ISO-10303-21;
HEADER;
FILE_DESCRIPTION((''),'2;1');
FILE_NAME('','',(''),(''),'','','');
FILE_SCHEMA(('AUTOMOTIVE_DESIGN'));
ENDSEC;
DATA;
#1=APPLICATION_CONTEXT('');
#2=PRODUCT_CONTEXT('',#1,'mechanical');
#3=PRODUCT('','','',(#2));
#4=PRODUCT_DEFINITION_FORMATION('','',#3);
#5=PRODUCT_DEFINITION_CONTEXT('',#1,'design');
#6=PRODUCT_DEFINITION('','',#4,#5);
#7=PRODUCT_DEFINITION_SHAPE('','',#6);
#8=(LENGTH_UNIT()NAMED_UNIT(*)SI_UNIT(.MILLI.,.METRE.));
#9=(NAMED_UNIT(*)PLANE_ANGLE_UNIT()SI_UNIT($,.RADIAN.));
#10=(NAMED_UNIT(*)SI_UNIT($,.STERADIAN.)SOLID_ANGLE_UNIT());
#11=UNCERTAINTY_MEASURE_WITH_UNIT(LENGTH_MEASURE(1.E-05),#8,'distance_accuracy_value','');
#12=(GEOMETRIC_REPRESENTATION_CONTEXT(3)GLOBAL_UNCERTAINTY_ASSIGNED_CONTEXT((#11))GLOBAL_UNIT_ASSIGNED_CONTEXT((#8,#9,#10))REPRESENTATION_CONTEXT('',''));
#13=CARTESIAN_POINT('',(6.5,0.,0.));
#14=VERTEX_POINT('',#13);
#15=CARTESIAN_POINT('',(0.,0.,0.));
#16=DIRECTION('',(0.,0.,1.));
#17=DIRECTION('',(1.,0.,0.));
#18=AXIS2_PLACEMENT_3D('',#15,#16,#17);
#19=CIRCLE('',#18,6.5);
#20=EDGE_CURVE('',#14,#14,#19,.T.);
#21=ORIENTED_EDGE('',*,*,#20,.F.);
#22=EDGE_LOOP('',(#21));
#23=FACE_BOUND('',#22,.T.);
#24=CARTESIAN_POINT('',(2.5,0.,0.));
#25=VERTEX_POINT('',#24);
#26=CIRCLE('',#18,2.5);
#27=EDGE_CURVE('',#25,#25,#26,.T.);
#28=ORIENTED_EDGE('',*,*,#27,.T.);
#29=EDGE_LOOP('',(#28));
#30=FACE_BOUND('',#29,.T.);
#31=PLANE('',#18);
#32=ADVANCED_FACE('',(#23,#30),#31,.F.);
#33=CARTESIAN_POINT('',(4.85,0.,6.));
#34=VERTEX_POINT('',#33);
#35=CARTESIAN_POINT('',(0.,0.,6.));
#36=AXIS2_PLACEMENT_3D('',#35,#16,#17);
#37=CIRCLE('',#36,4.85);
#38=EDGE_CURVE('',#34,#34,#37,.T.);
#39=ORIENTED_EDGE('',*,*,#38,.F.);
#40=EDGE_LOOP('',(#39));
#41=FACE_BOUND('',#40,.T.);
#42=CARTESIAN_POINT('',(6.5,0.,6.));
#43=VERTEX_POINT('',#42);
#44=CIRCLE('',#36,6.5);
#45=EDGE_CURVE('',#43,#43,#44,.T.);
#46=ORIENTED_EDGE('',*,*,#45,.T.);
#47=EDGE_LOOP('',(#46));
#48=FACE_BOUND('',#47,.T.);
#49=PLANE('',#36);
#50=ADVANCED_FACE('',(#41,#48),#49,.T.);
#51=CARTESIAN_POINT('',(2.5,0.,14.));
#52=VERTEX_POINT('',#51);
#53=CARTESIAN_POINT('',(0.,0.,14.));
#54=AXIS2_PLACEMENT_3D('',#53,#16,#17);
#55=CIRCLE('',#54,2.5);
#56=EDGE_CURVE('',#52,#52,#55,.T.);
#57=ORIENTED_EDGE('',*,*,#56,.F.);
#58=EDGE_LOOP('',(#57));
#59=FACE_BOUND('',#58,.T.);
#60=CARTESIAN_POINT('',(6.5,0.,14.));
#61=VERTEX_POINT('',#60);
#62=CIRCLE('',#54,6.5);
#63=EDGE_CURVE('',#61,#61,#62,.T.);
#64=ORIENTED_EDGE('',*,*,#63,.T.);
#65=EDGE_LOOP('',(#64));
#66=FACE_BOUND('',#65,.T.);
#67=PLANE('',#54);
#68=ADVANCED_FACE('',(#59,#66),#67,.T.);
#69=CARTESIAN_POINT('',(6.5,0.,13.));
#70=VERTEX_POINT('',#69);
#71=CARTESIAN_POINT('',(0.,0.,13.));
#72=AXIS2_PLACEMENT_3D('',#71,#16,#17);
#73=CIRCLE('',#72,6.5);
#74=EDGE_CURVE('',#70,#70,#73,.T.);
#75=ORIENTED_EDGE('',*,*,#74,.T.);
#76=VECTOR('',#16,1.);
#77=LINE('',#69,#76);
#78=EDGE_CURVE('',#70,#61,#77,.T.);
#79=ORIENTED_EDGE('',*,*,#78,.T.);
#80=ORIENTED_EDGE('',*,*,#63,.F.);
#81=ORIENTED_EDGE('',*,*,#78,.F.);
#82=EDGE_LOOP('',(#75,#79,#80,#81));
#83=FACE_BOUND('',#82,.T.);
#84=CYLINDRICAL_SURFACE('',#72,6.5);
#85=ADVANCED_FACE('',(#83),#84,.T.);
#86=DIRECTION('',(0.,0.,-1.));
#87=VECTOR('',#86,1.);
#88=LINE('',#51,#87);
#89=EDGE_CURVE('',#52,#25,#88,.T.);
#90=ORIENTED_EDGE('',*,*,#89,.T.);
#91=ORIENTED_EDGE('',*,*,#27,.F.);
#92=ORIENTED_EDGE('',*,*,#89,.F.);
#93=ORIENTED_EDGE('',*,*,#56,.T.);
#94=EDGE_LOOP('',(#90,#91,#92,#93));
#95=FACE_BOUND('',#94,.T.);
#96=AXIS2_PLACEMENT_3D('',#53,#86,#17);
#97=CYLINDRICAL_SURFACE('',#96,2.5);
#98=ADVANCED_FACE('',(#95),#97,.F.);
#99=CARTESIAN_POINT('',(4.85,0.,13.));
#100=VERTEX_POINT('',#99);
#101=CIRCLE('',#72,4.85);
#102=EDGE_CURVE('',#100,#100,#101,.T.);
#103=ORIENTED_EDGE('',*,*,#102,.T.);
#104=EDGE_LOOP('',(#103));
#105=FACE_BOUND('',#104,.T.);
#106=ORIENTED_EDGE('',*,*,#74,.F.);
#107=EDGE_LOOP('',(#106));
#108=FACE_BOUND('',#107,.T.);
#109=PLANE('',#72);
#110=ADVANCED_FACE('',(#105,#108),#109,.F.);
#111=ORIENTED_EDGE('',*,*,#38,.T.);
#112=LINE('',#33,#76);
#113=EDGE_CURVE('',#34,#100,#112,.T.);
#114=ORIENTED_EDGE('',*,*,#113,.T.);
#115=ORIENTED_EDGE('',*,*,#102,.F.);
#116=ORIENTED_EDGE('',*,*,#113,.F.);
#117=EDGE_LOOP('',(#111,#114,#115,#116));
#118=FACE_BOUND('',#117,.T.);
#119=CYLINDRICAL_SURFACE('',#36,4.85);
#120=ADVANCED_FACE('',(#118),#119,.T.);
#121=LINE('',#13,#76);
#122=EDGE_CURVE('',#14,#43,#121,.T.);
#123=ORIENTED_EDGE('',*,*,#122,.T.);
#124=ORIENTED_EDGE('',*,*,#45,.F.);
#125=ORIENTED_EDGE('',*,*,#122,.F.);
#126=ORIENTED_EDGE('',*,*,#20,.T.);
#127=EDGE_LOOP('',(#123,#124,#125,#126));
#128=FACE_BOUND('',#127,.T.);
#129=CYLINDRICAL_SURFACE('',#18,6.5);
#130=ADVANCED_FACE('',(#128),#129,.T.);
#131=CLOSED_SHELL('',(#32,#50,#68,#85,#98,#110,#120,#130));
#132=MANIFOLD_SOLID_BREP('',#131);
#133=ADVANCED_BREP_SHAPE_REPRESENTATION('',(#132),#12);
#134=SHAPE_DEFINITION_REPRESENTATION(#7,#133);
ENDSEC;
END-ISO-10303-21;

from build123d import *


with BuildPart() as part:
    # Sketch (on XZ_Plane of Origin) → Revolution (revolve)
    with BuildSketch(Plane.XZ):
        Polygon((2.5, 0), (6.5, 0), (6.5, 6), (4.85, 6), (4.85, 13), (6.5, 13), (6.5, 14), (2.5, 14), align=None)
    revolve(axis=Axis((0, 0, 0), (0, 0, 1)))


solid = part.part
